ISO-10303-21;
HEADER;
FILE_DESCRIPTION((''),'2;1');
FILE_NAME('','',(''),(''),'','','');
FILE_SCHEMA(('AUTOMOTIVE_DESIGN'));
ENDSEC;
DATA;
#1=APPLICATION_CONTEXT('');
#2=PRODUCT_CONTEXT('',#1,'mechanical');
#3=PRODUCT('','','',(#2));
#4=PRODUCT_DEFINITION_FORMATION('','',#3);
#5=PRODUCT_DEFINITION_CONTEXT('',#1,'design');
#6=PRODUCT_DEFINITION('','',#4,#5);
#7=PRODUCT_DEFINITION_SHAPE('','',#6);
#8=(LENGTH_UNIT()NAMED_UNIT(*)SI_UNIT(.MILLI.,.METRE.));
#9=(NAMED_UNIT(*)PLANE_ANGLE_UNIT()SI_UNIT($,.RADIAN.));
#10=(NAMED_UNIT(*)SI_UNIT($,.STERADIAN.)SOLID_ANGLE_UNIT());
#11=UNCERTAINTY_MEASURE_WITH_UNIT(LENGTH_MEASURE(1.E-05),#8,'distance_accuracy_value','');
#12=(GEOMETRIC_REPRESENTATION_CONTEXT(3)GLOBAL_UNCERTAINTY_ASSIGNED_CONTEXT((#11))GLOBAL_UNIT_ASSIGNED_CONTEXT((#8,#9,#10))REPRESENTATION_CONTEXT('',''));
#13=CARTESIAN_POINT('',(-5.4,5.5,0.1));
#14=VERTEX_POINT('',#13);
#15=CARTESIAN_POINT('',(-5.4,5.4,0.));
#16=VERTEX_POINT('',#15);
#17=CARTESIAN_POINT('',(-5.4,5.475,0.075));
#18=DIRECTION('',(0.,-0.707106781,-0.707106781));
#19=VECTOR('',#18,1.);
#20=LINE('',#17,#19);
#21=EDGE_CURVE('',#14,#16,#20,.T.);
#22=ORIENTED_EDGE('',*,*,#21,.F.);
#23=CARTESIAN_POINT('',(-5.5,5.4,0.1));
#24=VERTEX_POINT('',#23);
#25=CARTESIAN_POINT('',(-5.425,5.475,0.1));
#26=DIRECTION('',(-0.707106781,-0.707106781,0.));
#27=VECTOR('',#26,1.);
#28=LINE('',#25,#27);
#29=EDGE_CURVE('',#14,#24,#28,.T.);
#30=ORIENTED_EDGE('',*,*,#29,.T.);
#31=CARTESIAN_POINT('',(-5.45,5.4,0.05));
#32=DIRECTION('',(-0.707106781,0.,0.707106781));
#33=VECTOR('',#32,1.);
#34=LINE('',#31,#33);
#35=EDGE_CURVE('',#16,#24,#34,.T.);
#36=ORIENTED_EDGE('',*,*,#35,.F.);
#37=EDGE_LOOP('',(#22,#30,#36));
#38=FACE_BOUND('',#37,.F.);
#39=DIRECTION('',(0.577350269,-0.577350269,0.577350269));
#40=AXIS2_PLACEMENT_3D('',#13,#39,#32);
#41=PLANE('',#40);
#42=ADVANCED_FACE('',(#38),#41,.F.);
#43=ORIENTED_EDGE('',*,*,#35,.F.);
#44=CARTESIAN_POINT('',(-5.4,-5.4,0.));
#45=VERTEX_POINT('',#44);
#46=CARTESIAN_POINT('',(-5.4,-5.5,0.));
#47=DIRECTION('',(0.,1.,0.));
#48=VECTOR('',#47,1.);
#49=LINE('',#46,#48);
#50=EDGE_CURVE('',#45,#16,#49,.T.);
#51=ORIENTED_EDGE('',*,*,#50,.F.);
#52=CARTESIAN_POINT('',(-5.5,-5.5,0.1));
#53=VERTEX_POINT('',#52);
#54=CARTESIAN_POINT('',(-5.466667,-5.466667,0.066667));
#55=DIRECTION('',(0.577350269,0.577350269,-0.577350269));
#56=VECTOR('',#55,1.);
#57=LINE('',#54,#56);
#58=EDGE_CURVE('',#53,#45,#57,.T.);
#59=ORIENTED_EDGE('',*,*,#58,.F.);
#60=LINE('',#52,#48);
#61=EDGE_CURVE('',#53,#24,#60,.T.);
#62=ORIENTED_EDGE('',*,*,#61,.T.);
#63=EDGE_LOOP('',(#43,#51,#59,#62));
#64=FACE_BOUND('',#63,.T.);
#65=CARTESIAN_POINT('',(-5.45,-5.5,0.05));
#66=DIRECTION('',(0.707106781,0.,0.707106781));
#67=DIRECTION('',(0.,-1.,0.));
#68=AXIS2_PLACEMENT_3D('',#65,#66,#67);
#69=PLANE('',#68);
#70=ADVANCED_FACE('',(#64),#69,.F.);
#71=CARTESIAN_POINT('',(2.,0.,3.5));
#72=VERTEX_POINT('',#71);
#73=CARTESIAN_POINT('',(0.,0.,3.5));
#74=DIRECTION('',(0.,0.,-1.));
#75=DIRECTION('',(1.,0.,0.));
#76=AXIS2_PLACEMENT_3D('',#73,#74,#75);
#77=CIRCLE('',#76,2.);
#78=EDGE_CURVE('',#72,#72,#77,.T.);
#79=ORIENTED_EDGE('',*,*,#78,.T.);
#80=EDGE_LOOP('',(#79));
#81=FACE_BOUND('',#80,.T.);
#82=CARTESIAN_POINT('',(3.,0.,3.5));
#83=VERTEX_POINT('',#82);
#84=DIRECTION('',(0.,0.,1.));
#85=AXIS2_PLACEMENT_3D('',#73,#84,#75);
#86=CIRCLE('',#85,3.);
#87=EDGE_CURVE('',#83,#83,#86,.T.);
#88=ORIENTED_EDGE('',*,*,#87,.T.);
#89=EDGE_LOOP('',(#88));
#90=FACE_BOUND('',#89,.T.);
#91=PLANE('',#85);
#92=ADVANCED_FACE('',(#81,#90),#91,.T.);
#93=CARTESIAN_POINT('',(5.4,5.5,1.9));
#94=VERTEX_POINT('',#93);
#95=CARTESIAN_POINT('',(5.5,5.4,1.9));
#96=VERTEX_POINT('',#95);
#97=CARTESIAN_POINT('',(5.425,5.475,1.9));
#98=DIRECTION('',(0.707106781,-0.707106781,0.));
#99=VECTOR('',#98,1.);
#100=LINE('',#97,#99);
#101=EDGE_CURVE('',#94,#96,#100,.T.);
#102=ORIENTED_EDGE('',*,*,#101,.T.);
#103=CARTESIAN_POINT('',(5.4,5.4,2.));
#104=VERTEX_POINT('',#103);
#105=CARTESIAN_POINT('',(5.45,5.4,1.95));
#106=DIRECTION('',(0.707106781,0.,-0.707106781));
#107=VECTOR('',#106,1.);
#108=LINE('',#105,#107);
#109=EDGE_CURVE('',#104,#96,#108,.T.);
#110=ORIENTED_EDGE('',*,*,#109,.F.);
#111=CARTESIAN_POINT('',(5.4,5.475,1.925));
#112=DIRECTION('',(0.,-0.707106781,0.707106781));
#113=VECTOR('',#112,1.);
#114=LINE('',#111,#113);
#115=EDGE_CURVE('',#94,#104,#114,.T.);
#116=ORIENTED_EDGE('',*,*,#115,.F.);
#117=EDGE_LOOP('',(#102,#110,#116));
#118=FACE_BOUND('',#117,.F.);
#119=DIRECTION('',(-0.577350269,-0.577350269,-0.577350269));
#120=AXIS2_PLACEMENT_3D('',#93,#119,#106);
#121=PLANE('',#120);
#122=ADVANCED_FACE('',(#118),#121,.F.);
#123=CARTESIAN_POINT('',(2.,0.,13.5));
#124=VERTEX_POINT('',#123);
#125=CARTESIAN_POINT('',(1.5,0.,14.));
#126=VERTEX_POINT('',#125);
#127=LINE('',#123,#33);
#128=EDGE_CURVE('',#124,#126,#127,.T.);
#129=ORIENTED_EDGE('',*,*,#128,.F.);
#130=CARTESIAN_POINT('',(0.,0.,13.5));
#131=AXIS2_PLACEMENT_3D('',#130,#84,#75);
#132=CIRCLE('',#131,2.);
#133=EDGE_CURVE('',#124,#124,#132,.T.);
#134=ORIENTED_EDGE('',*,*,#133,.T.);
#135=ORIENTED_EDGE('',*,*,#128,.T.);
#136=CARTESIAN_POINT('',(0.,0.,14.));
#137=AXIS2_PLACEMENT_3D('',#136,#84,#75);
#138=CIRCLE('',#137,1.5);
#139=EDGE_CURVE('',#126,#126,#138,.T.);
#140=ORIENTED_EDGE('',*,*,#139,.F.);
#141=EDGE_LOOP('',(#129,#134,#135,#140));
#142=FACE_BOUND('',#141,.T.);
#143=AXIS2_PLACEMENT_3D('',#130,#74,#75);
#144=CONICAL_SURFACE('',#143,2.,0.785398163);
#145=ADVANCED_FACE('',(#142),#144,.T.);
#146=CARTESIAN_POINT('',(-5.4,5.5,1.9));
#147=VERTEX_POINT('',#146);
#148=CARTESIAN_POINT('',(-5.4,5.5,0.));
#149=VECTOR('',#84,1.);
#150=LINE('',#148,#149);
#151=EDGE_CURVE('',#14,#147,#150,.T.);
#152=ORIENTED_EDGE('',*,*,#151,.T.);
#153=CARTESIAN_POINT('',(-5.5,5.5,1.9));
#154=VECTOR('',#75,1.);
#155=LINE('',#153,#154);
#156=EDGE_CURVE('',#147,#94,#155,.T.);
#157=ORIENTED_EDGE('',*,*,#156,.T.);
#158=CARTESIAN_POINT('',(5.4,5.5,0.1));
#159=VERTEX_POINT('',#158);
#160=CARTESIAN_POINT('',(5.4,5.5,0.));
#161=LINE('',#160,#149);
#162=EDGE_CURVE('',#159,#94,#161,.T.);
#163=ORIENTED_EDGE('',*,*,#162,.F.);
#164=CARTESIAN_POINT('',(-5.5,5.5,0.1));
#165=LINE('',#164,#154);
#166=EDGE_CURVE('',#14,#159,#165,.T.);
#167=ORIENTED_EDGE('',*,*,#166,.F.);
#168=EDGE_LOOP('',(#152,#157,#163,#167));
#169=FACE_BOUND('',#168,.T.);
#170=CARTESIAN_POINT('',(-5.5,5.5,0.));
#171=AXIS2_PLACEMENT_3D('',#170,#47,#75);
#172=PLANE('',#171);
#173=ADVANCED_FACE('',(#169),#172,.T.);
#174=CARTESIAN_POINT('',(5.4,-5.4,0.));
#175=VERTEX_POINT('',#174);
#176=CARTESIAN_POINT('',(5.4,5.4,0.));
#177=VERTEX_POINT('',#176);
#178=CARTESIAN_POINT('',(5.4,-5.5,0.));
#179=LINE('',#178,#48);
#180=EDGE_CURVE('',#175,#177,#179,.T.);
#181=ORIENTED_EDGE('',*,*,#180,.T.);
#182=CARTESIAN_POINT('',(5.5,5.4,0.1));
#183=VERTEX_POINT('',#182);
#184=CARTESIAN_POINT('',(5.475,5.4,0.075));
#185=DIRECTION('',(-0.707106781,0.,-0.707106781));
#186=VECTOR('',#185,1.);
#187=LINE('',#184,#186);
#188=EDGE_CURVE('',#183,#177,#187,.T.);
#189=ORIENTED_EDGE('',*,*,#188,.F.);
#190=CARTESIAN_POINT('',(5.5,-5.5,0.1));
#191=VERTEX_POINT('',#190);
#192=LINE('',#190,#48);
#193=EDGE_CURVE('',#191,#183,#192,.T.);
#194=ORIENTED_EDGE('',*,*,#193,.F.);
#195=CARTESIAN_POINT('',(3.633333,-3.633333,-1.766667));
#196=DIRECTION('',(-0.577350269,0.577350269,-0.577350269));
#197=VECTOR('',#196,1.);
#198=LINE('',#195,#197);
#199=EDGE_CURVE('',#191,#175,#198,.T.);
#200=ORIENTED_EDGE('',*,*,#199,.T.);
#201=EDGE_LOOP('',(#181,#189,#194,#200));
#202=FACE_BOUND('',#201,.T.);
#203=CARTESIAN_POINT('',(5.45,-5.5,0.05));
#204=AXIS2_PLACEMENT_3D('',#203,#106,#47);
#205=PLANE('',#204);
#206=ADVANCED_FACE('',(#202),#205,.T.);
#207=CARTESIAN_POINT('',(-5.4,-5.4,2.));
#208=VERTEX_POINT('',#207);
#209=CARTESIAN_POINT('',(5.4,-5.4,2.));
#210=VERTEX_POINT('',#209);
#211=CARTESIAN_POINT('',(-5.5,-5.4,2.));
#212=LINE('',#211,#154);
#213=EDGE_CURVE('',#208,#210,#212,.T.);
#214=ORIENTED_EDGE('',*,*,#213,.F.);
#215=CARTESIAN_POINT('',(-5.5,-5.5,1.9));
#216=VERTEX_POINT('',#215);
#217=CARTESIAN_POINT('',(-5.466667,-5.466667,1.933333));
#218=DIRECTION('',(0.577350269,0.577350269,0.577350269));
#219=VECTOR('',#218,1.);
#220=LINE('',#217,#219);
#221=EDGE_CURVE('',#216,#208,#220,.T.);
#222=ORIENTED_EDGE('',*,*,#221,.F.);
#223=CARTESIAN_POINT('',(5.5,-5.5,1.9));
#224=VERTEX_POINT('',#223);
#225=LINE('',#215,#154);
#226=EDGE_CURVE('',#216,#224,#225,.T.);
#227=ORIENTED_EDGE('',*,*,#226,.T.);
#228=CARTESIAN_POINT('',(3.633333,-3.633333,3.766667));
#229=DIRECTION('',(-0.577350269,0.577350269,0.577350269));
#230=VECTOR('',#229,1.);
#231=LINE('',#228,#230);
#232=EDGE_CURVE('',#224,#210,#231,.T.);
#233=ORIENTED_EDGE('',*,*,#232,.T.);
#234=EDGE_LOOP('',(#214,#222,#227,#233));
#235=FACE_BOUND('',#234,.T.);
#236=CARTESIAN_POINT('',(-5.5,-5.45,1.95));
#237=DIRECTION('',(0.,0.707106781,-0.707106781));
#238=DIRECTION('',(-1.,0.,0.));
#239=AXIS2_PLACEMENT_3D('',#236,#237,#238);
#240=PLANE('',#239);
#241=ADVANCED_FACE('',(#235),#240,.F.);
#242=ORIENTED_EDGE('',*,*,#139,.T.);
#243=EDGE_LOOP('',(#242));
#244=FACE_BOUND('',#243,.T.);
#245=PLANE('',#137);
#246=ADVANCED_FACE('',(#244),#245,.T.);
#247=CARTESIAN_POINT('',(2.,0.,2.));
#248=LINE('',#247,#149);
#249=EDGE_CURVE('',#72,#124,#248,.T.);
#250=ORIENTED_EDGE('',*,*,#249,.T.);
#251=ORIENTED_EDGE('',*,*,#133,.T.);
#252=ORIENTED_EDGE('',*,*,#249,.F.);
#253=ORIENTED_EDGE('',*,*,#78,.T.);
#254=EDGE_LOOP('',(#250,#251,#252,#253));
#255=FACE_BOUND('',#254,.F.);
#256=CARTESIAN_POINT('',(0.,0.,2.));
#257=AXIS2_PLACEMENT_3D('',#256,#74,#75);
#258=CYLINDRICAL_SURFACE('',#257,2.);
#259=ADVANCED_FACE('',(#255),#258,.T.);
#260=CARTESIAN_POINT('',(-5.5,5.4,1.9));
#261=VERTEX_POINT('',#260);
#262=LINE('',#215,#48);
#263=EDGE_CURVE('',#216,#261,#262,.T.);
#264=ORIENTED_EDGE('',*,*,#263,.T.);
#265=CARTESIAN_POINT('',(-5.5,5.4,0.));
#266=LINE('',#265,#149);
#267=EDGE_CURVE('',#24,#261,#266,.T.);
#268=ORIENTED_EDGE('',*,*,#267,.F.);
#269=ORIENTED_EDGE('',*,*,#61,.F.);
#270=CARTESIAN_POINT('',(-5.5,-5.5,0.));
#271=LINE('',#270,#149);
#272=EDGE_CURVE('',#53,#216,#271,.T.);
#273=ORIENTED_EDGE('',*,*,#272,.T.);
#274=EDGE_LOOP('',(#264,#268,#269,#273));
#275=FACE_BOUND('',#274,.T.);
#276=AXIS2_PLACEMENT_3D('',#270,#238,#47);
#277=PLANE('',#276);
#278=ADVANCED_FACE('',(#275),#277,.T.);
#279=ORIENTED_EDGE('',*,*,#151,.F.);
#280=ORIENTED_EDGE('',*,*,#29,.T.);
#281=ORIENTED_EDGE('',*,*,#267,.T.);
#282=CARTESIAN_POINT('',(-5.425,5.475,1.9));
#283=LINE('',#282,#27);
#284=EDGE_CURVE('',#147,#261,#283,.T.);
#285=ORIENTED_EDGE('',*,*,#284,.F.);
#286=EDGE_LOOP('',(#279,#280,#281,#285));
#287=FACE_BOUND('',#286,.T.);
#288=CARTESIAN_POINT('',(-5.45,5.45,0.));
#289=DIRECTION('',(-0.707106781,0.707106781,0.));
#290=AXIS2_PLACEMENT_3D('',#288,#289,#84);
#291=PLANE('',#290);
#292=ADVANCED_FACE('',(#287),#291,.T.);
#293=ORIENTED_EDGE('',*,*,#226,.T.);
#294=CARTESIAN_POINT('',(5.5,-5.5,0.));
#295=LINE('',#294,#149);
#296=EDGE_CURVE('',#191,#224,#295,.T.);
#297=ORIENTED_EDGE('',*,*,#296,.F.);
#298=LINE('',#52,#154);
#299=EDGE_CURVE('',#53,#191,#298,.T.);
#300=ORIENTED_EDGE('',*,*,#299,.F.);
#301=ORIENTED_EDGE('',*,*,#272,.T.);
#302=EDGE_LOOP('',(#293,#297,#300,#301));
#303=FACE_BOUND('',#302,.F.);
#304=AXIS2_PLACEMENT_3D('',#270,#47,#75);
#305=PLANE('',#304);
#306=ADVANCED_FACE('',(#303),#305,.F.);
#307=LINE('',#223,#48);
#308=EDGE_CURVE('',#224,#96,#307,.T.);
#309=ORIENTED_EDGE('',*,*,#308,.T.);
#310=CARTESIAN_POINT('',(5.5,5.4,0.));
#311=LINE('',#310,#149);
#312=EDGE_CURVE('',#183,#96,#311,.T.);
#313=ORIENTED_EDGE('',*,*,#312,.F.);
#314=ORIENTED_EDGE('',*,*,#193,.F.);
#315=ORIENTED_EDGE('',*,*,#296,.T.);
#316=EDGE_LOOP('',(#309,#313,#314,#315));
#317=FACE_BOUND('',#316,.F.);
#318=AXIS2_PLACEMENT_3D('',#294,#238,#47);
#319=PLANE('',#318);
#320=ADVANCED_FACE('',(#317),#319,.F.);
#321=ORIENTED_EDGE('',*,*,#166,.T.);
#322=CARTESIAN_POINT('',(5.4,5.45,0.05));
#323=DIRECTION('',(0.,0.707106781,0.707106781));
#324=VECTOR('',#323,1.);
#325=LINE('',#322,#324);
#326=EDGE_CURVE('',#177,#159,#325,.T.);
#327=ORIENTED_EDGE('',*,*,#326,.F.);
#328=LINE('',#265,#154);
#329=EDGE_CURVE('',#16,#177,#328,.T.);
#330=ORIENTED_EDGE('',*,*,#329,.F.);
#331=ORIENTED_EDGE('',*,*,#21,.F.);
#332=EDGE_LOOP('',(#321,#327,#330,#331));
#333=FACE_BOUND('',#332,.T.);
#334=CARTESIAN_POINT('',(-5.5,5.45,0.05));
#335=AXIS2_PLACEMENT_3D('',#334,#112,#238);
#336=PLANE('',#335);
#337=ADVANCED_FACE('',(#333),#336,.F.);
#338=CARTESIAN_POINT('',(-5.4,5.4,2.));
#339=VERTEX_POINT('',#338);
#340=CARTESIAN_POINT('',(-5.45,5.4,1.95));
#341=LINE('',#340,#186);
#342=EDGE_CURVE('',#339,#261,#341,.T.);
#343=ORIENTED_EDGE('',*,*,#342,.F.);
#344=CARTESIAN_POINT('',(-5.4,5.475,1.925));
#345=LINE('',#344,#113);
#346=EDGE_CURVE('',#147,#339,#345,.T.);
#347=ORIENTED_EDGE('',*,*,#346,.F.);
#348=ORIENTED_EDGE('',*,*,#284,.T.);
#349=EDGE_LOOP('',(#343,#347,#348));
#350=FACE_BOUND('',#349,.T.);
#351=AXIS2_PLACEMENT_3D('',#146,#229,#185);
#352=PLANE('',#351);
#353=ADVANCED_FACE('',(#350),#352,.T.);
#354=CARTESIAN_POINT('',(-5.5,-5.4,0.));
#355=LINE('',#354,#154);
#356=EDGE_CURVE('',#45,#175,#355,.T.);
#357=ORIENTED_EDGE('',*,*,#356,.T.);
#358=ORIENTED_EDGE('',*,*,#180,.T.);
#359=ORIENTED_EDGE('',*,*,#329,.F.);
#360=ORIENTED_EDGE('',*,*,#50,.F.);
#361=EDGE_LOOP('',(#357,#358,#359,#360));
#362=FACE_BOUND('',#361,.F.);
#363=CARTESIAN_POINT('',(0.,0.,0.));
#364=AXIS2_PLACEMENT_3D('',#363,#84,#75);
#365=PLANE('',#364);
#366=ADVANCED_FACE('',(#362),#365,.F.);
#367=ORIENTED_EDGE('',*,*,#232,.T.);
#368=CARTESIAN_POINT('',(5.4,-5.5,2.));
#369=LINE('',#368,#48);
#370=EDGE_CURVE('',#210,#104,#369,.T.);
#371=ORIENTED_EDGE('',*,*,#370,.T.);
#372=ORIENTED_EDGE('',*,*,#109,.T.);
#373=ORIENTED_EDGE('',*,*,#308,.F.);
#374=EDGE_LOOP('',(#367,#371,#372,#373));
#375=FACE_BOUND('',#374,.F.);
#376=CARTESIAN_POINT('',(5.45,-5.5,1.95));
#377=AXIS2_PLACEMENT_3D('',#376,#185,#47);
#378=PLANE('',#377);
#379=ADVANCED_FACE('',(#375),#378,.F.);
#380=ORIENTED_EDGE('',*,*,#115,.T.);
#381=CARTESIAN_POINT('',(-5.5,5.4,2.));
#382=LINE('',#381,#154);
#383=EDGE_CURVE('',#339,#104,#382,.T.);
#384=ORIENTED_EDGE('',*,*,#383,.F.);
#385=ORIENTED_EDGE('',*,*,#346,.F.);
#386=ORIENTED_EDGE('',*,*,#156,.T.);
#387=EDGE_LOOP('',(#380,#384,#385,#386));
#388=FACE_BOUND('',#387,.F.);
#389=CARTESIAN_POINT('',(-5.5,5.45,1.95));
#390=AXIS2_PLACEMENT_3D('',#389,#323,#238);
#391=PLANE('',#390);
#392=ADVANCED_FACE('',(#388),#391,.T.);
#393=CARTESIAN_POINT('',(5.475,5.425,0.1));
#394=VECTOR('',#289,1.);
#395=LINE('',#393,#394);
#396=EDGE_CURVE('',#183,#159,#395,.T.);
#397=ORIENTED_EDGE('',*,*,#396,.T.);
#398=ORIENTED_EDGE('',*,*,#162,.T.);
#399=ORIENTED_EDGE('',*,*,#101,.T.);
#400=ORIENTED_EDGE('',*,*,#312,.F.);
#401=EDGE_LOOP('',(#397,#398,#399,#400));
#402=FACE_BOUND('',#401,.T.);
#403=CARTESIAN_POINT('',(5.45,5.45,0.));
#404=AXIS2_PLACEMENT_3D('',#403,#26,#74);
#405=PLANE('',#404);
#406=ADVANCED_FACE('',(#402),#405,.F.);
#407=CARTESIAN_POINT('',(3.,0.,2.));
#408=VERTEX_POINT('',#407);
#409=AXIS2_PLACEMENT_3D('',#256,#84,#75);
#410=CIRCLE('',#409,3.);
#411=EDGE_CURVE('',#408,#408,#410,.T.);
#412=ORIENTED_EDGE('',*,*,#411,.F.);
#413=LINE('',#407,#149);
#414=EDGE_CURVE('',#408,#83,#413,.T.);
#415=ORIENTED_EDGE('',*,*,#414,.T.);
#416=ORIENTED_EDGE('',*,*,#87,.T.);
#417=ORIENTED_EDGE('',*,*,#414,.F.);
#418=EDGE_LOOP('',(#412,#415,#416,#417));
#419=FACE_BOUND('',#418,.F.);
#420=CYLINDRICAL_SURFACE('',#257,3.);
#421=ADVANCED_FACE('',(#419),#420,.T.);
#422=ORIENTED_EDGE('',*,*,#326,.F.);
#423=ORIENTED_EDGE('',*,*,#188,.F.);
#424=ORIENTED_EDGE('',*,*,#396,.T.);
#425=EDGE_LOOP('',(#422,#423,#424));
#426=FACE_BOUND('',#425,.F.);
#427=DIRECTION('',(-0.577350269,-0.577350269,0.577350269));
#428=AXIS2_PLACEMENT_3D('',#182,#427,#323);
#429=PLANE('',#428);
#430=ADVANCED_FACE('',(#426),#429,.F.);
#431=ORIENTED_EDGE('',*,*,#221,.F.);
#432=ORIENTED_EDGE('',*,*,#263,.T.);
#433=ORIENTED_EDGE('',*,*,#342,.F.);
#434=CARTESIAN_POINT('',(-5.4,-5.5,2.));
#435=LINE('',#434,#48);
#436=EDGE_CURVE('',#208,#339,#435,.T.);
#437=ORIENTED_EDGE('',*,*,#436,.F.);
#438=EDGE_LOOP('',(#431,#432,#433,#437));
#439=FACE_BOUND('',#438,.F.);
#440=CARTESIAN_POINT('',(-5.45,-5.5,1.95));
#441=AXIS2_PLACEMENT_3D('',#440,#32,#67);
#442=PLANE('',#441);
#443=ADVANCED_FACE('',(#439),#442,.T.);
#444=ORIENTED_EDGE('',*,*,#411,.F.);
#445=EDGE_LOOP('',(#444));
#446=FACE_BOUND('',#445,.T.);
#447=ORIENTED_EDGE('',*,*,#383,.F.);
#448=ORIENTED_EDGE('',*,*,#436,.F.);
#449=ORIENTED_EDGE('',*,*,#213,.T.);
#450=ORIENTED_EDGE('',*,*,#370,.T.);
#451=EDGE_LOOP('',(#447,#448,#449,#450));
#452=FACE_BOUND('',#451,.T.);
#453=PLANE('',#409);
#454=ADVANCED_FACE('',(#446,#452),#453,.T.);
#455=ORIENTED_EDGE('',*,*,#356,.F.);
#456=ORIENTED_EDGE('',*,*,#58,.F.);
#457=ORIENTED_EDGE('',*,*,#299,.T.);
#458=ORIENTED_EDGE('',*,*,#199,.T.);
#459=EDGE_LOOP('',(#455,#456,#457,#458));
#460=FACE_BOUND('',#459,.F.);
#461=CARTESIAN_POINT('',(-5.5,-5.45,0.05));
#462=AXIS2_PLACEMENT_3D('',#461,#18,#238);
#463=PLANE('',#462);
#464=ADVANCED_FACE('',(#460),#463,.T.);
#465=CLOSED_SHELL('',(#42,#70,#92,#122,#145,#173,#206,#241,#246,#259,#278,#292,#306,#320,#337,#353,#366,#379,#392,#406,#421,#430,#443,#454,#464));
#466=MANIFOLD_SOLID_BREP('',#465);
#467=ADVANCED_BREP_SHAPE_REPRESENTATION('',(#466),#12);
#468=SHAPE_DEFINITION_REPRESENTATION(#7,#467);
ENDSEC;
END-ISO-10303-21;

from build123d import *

# Parameters (mm, degrees)
SKETCH1_W           = 11
SKETCH1_H           = 11
BOSS_EXTRUDE1_DEPTH = 2
SKETCH2_R           = 2
BOSS_EXTRUDE2_DEPTH = 12
CHAMFER1_SIZE       = 0.1
SKETCH3_R           = 3
BOSS_EXTRUDE3_DEPTH = 1.5
CHAMFER2_SIZE       = 0.5


with BuildPart() as part:
    # Sketch1 → Boss-Extrude1 (new body)
    with BuildSketch(Plane.XY):
        Rectangle(SKETCH1_W, SKETCH1_H)
    extrude(amount=BOSS_EXTRUDE1_DEPTH)

    # Sketch2 → Boss-Extrude2 (add)
    with BuildSketch(Plane.XY.offset(2)):
        Circle(SKETCH2_R)
    extrude(amount=BOSS_EXTRUDE2_DEPTH)

    # Chamfer1
    chamfer1_edges = [part.edges().sort_by_distance(p)[0] for p in [
        (-5.5, 0, 2),
        (0, -5.5, 2),
        (5.5, 0, 2),
        (0, -5.5, 0),
        (-5.5, 0, 0),
        (0, 5.5, 0),
        (5.5, 0, 0),
        (0, 5.5, 2),
        (-5.5, 5.5, 1),
        (5.5, 5.5, 1),
    ]]
    chamfer(chamfer1_edges, length=CHAMFER1_SIZE)

    # Sketch3 → Boss-Extrude3 (add)
    with BuildSketch(Plane.XY.offset(2)):
        Circle(SKETCH3_R)
    extrude(amount=BOSS_EXTRUDE3_DEPTH)

    # Chamfer2
    chamfer2_edges = [part.edges().sort_by_distance(p)[0] for p in [
        (-2, 0, 14),
    ]]
    chamfer(chamfer2_edges, length=CHAMFER2_SIZE)


solid = part.part
